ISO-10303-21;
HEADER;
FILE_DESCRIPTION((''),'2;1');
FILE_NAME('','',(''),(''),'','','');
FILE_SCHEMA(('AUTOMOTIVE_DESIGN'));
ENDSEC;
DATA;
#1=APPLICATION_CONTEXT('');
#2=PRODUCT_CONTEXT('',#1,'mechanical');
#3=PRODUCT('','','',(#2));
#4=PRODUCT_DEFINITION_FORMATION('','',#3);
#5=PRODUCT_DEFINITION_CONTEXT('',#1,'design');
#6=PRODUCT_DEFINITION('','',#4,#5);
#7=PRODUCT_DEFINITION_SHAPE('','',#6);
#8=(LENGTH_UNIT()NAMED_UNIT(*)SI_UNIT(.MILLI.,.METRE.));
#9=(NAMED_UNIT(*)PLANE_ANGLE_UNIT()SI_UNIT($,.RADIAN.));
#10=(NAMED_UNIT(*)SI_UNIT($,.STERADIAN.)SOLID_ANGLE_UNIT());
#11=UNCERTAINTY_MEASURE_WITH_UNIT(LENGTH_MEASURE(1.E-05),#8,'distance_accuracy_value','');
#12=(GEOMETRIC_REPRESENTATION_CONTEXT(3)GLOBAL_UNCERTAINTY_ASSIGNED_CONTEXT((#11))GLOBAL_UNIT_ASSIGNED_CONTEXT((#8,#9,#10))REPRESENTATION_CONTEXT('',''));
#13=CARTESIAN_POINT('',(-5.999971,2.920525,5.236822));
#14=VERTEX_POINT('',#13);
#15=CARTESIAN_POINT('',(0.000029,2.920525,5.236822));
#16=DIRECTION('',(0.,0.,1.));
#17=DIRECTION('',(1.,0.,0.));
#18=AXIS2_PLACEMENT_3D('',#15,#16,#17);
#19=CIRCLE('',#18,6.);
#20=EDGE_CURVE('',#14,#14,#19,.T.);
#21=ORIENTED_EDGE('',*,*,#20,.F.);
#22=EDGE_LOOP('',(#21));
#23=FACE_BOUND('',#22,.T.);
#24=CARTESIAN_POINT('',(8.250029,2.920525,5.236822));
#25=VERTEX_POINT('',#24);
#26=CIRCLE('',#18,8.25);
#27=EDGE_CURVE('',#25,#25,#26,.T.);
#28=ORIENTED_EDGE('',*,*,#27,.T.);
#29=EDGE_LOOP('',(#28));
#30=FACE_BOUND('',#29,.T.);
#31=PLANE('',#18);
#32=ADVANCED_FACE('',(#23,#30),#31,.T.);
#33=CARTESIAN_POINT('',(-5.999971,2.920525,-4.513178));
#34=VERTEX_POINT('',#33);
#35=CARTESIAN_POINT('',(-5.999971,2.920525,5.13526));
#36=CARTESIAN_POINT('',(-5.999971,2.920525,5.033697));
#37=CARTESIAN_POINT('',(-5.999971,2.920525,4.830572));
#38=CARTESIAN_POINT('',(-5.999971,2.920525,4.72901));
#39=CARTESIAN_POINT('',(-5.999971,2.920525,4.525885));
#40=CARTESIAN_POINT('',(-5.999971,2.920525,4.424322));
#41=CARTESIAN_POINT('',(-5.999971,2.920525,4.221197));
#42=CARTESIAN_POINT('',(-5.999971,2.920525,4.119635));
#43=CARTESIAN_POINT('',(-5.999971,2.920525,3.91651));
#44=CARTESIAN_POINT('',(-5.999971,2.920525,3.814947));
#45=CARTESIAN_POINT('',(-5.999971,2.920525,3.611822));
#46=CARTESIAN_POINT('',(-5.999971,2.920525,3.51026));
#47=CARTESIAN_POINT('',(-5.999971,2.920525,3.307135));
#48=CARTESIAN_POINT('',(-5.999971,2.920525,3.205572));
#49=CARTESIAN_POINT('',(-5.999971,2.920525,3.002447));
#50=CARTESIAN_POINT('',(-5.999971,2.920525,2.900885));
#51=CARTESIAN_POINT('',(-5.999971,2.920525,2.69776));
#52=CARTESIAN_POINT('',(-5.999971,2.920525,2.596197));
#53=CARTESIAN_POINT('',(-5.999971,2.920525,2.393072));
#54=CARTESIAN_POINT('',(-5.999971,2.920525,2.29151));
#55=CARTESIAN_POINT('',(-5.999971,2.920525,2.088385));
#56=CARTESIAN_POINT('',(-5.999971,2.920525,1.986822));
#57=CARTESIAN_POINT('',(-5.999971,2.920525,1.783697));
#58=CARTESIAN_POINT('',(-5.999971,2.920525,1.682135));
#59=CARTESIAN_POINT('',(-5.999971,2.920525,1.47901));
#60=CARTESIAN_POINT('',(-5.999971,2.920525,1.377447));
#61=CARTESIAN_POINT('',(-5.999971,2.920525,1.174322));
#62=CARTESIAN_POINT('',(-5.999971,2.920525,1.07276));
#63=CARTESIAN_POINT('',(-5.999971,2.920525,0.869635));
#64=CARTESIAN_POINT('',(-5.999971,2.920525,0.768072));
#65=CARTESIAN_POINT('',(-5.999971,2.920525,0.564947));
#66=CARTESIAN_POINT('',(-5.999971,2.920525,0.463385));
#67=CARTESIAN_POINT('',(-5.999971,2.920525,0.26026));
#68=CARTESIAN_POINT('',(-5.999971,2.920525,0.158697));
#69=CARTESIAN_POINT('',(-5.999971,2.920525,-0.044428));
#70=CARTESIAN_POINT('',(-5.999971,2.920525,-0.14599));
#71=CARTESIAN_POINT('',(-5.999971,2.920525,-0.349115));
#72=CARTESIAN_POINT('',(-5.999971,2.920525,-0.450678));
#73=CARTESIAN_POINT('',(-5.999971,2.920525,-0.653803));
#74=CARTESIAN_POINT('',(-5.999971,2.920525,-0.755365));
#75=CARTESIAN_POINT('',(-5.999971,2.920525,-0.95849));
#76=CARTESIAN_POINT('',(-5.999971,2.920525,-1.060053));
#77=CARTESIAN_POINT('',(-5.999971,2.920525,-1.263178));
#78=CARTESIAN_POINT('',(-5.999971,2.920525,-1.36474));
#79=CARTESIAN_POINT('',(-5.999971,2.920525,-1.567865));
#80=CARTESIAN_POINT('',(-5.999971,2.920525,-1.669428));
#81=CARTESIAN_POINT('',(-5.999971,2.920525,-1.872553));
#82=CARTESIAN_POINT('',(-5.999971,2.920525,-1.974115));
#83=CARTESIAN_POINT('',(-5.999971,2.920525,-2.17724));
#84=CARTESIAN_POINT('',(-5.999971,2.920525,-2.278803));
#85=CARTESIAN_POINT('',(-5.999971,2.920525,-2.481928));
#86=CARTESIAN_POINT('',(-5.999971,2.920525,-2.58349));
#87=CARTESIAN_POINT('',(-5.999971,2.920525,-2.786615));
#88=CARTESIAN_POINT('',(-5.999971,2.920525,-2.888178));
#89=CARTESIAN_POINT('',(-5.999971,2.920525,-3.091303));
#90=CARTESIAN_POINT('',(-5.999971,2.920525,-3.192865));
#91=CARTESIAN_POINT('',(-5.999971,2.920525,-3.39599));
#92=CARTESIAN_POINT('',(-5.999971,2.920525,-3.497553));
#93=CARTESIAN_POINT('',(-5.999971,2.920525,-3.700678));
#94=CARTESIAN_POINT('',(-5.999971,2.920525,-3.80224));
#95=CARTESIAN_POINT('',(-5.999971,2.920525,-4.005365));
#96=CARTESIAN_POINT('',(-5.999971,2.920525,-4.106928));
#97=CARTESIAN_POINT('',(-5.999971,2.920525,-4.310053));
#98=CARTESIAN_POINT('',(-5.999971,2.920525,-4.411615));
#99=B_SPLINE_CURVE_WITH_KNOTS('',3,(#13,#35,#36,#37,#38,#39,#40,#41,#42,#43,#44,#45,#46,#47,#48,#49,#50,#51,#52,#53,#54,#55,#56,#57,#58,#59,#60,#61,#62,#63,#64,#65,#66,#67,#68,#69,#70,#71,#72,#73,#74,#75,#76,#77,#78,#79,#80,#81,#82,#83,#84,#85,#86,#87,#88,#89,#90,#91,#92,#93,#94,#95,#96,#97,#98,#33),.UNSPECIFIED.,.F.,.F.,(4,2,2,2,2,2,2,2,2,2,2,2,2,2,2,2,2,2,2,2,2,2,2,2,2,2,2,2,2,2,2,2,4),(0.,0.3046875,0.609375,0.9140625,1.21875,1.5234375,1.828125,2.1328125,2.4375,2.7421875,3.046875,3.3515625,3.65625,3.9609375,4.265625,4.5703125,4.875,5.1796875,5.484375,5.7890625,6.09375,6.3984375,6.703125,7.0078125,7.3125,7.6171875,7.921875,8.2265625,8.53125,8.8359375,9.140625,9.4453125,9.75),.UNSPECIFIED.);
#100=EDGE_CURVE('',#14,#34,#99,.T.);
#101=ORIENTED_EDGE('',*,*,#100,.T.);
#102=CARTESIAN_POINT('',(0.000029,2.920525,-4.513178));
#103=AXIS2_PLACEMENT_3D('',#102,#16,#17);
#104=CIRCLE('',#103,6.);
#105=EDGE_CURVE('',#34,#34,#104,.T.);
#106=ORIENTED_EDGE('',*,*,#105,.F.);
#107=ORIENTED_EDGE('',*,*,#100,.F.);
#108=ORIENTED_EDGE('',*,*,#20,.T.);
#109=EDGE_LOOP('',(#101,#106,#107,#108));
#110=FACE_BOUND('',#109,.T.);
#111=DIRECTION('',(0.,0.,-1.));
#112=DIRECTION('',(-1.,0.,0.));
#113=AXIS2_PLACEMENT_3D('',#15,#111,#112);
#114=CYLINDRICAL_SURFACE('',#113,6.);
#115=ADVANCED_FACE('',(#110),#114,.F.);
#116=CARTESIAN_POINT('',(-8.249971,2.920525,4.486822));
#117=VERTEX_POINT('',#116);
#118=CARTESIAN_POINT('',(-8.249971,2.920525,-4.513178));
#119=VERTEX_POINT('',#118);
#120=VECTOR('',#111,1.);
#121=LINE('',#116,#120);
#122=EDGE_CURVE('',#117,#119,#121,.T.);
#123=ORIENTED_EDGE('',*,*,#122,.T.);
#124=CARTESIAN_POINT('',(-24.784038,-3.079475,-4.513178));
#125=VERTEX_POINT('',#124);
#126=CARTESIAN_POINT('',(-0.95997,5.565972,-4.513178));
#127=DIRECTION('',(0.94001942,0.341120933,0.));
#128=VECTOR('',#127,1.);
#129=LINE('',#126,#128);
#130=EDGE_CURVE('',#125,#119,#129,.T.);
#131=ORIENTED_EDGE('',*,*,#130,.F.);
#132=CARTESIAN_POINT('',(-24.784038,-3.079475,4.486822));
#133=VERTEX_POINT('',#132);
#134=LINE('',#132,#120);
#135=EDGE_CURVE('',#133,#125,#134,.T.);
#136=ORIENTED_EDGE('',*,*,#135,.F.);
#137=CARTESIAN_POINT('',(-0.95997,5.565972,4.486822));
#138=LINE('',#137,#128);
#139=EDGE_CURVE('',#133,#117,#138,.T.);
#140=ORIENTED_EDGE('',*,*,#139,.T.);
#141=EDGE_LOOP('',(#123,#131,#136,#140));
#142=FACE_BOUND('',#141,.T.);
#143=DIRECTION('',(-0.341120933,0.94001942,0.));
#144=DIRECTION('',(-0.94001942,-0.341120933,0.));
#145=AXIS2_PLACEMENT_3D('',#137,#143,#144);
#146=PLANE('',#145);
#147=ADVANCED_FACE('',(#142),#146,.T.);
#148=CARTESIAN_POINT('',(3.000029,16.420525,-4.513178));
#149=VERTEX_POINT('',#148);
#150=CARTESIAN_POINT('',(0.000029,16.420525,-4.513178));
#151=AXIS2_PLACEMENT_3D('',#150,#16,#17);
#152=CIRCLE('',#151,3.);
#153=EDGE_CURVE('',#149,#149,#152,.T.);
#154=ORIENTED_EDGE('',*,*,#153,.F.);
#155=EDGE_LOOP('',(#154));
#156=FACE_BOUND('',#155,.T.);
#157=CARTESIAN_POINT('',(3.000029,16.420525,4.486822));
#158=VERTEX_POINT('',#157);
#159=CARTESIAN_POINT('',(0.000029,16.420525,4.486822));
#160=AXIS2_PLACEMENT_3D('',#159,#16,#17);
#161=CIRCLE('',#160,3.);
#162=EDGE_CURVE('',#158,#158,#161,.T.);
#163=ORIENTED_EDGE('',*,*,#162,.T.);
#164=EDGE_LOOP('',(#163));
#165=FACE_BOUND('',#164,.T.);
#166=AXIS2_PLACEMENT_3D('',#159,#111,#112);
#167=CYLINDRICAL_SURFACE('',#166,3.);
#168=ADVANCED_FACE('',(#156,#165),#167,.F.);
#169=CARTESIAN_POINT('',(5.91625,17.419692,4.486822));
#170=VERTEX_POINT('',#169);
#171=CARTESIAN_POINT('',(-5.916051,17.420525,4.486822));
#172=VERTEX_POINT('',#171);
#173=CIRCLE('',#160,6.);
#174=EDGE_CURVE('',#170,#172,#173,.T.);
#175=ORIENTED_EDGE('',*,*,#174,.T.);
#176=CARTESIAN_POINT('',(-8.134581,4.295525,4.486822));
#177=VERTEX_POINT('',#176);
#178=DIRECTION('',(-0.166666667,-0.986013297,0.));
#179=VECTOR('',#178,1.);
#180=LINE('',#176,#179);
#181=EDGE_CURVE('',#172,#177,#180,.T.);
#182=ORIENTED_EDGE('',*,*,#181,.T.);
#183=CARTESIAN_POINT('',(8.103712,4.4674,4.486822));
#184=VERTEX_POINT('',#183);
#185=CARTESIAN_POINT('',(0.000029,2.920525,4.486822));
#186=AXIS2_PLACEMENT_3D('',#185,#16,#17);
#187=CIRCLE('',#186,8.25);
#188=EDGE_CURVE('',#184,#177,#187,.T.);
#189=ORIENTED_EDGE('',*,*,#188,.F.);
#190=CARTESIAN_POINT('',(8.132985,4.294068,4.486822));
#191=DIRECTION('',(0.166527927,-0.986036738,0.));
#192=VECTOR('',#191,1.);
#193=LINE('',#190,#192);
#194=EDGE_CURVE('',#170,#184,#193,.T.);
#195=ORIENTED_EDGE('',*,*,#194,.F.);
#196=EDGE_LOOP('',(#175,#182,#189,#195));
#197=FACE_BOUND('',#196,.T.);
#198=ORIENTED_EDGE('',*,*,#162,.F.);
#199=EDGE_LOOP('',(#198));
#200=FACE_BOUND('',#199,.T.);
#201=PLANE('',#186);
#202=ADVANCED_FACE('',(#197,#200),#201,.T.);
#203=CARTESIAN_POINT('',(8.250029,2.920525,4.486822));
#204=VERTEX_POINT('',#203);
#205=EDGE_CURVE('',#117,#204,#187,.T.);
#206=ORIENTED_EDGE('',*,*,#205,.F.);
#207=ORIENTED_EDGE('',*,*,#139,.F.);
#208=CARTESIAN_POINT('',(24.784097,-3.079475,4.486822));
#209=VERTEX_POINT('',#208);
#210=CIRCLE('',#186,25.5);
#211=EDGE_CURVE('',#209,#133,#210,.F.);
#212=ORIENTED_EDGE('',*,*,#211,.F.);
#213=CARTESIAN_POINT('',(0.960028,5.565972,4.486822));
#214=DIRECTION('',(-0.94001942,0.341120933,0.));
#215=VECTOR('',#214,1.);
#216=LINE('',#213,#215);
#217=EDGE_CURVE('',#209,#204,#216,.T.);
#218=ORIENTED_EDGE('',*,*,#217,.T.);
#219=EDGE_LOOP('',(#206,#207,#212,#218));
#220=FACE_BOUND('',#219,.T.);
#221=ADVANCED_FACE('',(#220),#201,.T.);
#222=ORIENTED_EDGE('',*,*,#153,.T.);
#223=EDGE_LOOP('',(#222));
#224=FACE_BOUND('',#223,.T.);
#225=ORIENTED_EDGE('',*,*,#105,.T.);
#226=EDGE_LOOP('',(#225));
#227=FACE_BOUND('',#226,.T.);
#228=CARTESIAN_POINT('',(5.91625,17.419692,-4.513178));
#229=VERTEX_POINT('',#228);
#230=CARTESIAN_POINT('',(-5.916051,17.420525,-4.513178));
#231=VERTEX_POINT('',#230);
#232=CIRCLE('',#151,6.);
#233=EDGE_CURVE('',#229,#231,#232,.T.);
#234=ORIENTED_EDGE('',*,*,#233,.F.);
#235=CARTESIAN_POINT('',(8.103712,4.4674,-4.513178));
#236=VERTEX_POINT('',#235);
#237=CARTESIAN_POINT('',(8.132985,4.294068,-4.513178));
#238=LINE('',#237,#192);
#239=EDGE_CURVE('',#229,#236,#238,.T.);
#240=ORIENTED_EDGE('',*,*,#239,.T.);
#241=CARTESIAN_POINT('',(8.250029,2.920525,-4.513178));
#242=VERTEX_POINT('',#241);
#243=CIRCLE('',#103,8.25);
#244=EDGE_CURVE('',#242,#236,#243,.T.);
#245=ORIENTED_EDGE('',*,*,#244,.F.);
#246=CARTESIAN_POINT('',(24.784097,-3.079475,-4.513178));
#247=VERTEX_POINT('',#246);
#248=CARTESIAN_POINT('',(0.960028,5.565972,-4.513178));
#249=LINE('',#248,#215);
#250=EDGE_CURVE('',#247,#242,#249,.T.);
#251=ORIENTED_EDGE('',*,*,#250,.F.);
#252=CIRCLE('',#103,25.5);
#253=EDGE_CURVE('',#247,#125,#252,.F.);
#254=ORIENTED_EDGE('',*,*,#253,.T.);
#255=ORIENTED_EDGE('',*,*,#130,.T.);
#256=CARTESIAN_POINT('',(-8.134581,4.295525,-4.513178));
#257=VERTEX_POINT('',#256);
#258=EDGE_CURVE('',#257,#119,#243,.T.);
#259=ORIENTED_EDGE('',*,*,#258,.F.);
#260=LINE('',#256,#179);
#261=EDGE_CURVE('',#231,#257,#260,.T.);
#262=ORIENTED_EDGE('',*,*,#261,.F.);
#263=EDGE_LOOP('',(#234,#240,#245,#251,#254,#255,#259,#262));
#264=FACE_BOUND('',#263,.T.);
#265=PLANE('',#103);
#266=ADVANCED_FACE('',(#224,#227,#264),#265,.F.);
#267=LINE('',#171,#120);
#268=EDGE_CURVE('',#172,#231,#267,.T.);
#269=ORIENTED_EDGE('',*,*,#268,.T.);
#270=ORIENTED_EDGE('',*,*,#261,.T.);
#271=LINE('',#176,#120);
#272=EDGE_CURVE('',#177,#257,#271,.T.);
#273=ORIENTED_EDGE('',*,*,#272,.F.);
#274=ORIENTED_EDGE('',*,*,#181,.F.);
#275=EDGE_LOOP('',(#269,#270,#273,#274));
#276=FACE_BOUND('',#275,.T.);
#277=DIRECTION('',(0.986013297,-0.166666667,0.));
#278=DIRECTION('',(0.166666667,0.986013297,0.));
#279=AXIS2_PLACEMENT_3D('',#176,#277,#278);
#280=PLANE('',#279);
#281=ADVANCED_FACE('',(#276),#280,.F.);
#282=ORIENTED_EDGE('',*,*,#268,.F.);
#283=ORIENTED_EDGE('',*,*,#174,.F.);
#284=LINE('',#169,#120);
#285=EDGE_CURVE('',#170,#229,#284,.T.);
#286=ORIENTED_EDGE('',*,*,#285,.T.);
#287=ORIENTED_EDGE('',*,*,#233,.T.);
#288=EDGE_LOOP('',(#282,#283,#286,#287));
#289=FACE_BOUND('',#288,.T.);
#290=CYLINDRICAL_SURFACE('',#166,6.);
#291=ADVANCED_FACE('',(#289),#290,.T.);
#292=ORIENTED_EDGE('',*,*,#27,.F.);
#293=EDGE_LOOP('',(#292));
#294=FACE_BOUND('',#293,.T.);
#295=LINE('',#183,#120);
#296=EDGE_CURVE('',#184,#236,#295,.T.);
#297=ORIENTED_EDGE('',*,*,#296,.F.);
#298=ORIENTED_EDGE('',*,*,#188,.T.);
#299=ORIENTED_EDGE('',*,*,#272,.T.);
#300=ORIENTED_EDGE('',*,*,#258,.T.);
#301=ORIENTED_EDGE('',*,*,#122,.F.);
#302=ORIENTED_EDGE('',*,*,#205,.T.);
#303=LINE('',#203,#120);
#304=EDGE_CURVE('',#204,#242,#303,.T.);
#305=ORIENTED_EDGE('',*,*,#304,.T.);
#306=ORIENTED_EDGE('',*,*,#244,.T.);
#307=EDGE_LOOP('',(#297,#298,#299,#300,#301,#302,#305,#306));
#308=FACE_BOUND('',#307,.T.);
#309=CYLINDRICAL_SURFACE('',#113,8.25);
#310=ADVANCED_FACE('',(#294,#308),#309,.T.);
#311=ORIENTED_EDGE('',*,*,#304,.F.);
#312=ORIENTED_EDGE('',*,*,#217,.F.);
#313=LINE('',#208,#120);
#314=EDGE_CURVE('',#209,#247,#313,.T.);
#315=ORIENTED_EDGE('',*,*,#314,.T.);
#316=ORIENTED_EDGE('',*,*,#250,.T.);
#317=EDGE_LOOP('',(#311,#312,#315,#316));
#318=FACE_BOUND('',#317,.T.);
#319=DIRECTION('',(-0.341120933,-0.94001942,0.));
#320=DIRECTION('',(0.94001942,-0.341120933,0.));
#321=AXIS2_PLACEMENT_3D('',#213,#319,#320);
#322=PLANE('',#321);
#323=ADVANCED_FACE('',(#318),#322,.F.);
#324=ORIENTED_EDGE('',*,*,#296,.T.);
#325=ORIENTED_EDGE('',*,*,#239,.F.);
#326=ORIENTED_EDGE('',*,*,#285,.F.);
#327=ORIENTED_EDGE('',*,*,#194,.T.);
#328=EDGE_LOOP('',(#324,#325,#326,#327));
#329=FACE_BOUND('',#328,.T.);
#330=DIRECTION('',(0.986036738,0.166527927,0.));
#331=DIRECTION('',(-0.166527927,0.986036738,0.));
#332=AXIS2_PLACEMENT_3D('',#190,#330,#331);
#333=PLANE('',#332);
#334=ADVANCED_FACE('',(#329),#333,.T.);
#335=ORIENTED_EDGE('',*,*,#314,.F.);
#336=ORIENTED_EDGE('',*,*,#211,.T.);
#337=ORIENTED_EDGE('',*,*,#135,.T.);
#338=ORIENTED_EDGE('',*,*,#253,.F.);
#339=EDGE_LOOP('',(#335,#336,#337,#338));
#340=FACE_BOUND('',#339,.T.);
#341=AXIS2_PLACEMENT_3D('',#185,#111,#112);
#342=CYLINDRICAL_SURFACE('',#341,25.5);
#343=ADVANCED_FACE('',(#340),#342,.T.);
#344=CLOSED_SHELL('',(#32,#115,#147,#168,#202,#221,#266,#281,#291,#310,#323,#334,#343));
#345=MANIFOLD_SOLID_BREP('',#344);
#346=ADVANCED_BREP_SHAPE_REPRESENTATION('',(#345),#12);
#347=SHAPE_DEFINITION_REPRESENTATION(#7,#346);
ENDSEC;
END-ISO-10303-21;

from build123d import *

# Parameters (mm, degrees)
BOSS_EXTRUDE1_DEPTH   = 3
SKETCH1_R             = 2
BOSS_EXTRUDE1_2_DEPTH = 3
BOSS_EXTRUDE4_START   = 3.5
SKETCH1_6_R           = 5.5
SKETCH1_6_R_2         = 4
BOSS_EXTRUDE4_DEPTH   = 6.5
SCALE1_SCALE          = 1.5


with BuildPart() as part:
    # Sketch1 → Boss-Extrude1 (new, symmetric)
    with BuildSketch(Plane.XY):
        with BuildLine():
            Line((-5.5, 0), (-16.522711642, -4))
            ThreePointArc((-16.522711642, -4), (0, -17), (16.522711642, -4))
            Line((16.522711642, -4), (5.5, 0))
            ThreePointArc((5.5, 0), (0, -5.5), (-5.5, 0))
        make_face()
    extrude(amount=BOSS_EXTRUDE1_DEPTH, both=True)



with BuildPart() as body_2:
    # Sketch1 → Boss-Extrude1 2 (new, symmetric)
    with BuildSketch(Plane.XY):
        with BuildLine():
            Line((-3.944053189, 9.666666667), (-5.423073135, 0.916666667))
            ThreePointArc((-5.423073135, 0.916666667), (-0.058211757, 5.499691936), (5.402455316, 1.03125))
            Line((5.402455316, 1.03125), (3.944146954, 9.666111708))
            ThreePointArc((3.944146954, 9.666111708), (0.000281412, 12.99999999), (-3.944053189, 9.666666667))
        make_face()
        with Locations((0, 9)):
            Circle(SKETCH1_R, mode=Mode.SUBTRACT)
    extrude(amount=BOSS_EXTRUDE1_2_DEPTH, both=True)


with BuildPart() as part_1:
    add(part.part)

    add(body_2.part)  # Boss-Extrude4 merges body 2
    # Sketch1<6> → Boss-Extrude4 (add)
    with BuildSketch(Plane.XY.offset(BOSS_EXTRUDE4_START)):
        Circle(SKETCH1_6_R)
        with Locations(Location((0, 0, 0), (0, 0, 180))):
            Circle(SKETCH1_6_R_2, mode=Mode.SUBTRACT)
    extrude(amount=-BOSS_EXTRUDE4_DEPTH)


with BuildPart() as part_2:
    # Scale1: scaled about (-5.8229e-05, -5.841049103, 0.026355908)
    add(part_1.part.scale(SCALE1_SCALE).moved(Location((2.9115e-05, 2.920524551, -0.013177954))))


solid = part_2.part
